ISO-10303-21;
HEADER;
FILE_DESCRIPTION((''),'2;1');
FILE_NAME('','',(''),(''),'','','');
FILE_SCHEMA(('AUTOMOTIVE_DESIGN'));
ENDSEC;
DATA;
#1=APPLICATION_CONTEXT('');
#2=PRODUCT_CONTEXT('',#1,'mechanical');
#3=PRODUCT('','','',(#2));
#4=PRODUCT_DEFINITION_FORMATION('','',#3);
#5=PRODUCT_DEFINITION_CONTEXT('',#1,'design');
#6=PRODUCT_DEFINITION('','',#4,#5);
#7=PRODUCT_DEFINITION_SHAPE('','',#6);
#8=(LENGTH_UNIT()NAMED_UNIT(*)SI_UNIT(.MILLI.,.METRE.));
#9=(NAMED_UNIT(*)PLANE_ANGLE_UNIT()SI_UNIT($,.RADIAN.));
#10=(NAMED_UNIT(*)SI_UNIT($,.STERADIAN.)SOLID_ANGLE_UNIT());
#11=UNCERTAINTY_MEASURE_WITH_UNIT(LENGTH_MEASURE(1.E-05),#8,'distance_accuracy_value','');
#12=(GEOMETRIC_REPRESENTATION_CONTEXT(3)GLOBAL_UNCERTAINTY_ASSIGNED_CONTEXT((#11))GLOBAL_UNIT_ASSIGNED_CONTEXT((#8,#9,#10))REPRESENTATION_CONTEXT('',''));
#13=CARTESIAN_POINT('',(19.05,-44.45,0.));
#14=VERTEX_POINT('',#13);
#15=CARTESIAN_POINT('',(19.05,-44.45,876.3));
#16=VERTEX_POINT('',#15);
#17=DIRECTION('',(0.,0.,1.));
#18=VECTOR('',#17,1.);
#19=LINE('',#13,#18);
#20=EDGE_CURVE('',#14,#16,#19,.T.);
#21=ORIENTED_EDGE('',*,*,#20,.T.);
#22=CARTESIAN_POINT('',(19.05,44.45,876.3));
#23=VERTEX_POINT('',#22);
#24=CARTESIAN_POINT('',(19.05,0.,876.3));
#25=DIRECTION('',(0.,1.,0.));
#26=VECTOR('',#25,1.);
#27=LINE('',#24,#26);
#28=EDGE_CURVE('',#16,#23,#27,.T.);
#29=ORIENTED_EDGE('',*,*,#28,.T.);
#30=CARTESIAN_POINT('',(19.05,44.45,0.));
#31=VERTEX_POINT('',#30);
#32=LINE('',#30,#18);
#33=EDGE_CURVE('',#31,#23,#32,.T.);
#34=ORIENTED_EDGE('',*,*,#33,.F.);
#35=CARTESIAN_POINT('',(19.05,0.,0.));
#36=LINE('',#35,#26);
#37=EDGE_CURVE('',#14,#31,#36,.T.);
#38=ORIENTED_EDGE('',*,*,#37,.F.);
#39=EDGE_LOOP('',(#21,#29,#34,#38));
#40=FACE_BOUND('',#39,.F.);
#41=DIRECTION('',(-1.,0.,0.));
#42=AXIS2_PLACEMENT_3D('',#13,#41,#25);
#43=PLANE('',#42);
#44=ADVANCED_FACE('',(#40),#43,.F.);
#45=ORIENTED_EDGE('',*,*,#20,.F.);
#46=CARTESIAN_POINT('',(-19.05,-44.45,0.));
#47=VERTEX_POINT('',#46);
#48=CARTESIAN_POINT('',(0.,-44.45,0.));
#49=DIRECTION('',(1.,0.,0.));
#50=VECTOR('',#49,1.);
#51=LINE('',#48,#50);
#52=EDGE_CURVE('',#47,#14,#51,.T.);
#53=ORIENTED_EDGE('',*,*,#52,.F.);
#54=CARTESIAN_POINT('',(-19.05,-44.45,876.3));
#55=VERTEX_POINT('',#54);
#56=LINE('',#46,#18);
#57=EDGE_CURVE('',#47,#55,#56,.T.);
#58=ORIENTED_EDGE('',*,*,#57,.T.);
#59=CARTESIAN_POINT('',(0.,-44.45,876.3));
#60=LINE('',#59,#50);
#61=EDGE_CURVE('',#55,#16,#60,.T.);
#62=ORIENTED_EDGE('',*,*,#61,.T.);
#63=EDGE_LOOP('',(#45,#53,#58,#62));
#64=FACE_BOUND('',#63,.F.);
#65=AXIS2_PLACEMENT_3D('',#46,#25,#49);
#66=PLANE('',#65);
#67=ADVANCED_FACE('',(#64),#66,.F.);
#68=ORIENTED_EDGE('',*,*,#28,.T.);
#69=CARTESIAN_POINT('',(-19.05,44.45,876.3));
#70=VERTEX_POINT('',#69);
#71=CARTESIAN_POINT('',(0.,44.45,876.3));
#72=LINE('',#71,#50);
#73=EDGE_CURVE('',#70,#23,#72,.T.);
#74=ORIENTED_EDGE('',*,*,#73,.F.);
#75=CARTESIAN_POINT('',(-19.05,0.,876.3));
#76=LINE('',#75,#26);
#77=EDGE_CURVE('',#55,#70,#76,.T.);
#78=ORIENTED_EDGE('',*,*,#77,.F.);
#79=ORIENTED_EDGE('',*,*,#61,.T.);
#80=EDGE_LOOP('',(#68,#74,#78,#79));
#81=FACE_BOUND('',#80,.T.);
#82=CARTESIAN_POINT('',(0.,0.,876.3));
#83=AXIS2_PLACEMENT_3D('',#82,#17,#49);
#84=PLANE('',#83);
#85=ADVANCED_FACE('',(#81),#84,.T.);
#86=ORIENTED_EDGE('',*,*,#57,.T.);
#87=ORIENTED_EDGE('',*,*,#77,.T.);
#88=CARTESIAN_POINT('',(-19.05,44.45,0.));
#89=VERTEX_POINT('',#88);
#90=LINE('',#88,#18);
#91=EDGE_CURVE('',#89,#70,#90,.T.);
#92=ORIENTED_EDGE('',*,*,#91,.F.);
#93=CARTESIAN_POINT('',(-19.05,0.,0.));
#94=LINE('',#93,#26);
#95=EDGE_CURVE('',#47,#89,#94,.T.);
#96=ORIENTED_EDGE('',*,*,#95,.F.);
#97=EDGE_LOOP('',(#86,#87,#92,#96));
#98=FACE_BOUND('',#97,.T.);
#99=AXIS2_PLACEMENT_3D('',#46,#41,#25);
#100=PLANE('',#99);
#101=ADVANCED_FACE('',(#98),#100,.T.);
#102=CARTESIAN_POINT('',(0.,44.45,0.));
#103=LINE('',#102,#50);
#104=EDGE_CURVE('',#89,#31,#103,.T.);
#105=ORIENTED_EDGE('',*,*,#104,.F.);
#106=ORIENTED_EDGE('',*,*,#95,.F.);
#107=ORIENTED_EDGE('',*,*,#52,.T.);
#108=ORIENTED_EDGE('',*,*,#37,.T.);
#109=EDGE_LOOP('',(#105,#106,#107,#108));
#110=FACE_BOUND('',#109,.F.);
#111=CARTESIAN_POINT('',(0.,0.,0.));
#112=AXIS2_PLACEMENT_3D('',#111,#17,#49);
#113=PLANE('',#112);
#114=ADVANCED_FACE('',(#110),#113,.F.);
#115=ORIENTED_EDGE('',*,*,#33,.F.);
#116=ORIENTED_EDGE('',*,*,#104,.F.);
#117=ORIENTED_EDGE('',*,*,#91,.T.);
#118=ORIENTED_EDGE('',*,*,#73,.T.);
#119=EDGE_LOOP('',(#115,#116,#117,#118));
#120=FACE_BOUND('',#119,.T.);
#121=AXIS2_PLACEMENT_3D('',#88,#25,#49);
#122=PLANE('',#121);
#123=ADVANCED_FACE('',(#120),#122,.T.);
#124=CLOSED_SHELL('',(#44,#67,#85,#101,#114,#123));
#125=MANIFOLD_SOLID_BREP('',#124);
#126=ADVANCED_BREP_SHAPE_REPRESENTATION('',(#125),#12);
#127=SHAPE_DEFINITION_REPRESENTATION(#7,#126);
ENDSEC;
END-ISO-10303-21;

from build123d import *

# Parameters (mm, degrees)
SKETCH1_W           = 38.1
SKETCH1_H           = 88.9
BOSS_EXTRUDE1_DEPTH = 876.3


with BuildPart() as part:
    # Sketch1 → Boss-Extrude1 (new body)
    with BuildSketch(Plane.XY):
        Rectangle(SKETCH1_W, SKETCH1_H)
    extrude(amount=BOSS_EXTRUDE1_DEPTH)


solid = part.part
